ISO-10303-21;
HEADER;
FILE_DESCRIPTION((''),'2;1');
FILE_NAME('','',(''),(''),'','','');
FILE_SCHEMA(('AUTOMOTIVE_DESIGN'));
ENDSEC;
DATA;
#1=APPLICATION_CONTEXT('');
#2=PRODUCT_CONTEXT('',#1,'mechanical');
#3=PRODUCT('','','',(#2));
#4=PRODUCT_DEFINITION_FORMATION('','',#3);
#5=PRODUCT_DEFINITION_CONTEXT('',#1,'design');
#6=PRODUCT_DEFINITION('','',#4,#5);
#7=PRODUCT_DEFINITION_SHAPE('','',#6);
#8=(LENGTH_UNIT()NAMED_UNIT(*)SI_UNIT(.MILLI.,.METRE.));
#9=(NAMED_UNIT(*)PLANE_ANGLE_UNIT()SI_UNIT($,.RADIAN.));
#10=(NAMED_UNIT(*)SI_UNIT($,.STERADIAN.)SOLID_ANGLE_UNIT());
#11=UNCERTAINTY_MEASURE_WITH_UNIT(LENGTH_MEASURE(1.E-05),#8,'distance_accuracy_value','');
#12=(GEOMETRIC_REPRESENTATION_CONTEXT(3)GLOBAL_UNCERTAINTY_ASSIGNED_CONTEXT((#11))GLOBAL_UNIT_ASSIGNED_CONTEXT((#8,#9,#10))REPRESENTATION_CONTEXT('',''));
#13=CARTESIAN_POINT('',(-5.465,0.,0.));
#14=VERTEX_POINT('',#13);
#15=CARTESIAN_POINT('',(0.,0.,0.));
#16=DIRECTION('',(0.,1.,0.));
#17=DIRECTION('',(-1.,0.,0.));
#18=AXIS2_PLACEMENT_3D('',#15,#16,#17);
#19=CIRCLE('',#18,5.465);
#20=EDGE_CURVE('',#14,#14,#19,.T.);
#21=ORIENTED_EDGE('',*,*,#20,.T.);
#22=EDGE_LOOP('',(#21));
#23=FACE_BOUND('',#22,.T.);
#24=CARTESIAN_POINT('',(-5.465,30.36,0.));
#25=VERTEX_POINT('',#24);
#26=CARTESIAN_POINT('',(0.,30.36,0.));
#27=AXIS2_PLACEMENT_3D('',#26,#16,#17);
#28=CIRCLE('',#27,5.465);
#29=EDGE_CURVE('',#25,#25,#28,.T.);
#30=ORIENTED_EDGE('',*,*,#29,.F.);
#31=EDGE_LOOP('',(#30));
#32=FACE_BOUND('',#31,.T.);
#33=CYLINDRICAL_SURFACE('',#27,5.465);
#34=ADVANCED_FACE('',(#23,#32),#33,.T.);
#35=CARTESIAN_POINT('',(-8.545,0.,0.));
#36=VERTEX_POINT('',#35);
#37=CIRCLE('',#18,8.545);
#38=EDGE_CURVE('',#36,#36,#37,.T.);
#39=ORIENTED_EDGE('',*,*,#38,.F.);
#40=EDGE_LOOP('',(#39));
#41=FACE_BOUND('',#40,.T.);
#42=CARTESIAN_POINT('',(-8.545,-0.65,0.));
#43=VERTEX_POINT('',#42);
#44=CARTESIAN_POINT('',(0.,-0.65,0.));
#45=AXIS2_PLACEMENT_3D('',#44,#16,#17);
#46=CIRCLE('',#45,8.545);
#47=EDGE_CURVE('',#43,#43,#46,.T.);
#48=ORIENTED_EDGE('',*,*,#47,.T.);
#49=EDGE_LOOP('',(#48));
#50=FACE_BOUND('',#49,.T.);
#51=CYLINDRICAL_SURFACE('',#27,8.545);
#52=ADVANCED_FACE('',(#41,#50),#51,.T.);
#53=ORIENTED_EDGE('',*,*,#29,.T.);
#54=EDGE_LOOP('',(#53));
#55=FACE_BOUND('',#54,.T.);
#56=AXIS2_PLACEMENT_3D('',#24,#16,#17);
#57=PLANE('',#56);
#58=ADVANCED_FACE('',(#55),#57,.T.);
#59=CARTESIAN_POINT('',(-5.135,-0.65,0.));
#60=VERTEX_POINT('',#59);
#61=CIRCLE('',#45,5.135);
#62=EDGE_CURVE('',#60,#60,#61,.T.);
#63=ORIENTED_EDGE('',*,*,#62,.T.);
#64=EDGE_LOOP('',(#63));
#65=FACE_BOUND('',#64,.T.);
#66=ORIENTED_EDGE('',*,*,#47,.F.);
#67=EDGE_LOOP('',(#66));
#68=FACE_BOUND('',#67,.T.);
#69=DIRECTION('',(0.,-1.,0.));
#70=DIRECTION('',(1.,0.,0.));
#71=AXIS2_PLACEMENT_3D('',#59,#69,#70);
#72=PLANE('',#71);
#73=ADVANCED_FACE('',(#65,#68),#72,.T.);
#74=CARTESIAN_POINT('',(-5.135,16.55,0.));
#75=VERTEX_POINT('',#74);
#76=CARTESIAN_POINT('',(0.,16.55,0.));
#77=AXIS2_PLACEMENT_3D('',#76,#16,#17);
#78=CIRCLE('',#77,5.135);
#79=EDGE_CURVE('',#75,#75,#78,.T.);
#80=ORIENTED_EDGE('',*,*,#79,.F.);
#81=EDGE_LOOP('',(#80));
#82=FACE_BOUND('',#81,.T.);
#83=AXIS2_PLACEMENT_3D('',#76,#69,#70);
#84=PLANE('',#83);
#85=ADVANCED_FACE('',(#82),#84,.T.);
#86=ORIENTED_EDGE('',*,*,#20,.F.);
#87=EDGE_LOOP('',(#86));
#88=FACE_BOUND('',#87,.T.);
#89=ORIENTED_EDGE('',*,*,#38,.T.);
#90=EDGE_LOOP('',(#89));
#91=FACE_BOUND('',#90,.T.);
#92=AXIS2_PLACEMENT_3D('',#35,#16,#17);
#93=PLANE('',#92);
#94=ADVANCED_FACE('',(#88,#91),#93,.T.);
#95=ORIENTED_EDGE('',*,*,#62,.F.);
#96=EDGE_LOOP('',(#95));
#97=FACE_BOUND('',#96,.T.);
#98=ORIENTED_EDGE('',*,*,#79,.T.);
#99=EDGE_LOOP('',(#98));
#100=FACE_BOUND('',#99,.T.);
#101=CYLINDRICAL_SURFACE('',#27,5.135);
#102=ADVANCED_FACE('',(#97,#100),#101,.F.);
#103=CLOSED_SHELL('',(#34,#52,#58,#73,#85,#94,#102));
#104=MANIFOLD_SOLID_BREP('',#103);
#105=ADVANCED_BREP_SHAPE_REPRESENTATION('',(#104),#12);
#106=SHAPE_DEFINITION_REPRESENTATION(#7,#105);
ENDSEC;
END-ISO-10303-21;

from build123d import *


with BuildPart() as part:
    # Sketch1 → Revolve1 (revolve)
    with BuildSketch(Plane.XY):
        Polygon((-8.545, 0), (-5.465, 0), (-5.465, 30.36), (0, 30.36), (0, 16.55), (-5.135, 16.55), (-5.135, -0.65), (-8.545, -0.65), align=None)
    revolve(axis=Axis((0, 30.36, 0), (0, -1, 0)))


solid = part.part
